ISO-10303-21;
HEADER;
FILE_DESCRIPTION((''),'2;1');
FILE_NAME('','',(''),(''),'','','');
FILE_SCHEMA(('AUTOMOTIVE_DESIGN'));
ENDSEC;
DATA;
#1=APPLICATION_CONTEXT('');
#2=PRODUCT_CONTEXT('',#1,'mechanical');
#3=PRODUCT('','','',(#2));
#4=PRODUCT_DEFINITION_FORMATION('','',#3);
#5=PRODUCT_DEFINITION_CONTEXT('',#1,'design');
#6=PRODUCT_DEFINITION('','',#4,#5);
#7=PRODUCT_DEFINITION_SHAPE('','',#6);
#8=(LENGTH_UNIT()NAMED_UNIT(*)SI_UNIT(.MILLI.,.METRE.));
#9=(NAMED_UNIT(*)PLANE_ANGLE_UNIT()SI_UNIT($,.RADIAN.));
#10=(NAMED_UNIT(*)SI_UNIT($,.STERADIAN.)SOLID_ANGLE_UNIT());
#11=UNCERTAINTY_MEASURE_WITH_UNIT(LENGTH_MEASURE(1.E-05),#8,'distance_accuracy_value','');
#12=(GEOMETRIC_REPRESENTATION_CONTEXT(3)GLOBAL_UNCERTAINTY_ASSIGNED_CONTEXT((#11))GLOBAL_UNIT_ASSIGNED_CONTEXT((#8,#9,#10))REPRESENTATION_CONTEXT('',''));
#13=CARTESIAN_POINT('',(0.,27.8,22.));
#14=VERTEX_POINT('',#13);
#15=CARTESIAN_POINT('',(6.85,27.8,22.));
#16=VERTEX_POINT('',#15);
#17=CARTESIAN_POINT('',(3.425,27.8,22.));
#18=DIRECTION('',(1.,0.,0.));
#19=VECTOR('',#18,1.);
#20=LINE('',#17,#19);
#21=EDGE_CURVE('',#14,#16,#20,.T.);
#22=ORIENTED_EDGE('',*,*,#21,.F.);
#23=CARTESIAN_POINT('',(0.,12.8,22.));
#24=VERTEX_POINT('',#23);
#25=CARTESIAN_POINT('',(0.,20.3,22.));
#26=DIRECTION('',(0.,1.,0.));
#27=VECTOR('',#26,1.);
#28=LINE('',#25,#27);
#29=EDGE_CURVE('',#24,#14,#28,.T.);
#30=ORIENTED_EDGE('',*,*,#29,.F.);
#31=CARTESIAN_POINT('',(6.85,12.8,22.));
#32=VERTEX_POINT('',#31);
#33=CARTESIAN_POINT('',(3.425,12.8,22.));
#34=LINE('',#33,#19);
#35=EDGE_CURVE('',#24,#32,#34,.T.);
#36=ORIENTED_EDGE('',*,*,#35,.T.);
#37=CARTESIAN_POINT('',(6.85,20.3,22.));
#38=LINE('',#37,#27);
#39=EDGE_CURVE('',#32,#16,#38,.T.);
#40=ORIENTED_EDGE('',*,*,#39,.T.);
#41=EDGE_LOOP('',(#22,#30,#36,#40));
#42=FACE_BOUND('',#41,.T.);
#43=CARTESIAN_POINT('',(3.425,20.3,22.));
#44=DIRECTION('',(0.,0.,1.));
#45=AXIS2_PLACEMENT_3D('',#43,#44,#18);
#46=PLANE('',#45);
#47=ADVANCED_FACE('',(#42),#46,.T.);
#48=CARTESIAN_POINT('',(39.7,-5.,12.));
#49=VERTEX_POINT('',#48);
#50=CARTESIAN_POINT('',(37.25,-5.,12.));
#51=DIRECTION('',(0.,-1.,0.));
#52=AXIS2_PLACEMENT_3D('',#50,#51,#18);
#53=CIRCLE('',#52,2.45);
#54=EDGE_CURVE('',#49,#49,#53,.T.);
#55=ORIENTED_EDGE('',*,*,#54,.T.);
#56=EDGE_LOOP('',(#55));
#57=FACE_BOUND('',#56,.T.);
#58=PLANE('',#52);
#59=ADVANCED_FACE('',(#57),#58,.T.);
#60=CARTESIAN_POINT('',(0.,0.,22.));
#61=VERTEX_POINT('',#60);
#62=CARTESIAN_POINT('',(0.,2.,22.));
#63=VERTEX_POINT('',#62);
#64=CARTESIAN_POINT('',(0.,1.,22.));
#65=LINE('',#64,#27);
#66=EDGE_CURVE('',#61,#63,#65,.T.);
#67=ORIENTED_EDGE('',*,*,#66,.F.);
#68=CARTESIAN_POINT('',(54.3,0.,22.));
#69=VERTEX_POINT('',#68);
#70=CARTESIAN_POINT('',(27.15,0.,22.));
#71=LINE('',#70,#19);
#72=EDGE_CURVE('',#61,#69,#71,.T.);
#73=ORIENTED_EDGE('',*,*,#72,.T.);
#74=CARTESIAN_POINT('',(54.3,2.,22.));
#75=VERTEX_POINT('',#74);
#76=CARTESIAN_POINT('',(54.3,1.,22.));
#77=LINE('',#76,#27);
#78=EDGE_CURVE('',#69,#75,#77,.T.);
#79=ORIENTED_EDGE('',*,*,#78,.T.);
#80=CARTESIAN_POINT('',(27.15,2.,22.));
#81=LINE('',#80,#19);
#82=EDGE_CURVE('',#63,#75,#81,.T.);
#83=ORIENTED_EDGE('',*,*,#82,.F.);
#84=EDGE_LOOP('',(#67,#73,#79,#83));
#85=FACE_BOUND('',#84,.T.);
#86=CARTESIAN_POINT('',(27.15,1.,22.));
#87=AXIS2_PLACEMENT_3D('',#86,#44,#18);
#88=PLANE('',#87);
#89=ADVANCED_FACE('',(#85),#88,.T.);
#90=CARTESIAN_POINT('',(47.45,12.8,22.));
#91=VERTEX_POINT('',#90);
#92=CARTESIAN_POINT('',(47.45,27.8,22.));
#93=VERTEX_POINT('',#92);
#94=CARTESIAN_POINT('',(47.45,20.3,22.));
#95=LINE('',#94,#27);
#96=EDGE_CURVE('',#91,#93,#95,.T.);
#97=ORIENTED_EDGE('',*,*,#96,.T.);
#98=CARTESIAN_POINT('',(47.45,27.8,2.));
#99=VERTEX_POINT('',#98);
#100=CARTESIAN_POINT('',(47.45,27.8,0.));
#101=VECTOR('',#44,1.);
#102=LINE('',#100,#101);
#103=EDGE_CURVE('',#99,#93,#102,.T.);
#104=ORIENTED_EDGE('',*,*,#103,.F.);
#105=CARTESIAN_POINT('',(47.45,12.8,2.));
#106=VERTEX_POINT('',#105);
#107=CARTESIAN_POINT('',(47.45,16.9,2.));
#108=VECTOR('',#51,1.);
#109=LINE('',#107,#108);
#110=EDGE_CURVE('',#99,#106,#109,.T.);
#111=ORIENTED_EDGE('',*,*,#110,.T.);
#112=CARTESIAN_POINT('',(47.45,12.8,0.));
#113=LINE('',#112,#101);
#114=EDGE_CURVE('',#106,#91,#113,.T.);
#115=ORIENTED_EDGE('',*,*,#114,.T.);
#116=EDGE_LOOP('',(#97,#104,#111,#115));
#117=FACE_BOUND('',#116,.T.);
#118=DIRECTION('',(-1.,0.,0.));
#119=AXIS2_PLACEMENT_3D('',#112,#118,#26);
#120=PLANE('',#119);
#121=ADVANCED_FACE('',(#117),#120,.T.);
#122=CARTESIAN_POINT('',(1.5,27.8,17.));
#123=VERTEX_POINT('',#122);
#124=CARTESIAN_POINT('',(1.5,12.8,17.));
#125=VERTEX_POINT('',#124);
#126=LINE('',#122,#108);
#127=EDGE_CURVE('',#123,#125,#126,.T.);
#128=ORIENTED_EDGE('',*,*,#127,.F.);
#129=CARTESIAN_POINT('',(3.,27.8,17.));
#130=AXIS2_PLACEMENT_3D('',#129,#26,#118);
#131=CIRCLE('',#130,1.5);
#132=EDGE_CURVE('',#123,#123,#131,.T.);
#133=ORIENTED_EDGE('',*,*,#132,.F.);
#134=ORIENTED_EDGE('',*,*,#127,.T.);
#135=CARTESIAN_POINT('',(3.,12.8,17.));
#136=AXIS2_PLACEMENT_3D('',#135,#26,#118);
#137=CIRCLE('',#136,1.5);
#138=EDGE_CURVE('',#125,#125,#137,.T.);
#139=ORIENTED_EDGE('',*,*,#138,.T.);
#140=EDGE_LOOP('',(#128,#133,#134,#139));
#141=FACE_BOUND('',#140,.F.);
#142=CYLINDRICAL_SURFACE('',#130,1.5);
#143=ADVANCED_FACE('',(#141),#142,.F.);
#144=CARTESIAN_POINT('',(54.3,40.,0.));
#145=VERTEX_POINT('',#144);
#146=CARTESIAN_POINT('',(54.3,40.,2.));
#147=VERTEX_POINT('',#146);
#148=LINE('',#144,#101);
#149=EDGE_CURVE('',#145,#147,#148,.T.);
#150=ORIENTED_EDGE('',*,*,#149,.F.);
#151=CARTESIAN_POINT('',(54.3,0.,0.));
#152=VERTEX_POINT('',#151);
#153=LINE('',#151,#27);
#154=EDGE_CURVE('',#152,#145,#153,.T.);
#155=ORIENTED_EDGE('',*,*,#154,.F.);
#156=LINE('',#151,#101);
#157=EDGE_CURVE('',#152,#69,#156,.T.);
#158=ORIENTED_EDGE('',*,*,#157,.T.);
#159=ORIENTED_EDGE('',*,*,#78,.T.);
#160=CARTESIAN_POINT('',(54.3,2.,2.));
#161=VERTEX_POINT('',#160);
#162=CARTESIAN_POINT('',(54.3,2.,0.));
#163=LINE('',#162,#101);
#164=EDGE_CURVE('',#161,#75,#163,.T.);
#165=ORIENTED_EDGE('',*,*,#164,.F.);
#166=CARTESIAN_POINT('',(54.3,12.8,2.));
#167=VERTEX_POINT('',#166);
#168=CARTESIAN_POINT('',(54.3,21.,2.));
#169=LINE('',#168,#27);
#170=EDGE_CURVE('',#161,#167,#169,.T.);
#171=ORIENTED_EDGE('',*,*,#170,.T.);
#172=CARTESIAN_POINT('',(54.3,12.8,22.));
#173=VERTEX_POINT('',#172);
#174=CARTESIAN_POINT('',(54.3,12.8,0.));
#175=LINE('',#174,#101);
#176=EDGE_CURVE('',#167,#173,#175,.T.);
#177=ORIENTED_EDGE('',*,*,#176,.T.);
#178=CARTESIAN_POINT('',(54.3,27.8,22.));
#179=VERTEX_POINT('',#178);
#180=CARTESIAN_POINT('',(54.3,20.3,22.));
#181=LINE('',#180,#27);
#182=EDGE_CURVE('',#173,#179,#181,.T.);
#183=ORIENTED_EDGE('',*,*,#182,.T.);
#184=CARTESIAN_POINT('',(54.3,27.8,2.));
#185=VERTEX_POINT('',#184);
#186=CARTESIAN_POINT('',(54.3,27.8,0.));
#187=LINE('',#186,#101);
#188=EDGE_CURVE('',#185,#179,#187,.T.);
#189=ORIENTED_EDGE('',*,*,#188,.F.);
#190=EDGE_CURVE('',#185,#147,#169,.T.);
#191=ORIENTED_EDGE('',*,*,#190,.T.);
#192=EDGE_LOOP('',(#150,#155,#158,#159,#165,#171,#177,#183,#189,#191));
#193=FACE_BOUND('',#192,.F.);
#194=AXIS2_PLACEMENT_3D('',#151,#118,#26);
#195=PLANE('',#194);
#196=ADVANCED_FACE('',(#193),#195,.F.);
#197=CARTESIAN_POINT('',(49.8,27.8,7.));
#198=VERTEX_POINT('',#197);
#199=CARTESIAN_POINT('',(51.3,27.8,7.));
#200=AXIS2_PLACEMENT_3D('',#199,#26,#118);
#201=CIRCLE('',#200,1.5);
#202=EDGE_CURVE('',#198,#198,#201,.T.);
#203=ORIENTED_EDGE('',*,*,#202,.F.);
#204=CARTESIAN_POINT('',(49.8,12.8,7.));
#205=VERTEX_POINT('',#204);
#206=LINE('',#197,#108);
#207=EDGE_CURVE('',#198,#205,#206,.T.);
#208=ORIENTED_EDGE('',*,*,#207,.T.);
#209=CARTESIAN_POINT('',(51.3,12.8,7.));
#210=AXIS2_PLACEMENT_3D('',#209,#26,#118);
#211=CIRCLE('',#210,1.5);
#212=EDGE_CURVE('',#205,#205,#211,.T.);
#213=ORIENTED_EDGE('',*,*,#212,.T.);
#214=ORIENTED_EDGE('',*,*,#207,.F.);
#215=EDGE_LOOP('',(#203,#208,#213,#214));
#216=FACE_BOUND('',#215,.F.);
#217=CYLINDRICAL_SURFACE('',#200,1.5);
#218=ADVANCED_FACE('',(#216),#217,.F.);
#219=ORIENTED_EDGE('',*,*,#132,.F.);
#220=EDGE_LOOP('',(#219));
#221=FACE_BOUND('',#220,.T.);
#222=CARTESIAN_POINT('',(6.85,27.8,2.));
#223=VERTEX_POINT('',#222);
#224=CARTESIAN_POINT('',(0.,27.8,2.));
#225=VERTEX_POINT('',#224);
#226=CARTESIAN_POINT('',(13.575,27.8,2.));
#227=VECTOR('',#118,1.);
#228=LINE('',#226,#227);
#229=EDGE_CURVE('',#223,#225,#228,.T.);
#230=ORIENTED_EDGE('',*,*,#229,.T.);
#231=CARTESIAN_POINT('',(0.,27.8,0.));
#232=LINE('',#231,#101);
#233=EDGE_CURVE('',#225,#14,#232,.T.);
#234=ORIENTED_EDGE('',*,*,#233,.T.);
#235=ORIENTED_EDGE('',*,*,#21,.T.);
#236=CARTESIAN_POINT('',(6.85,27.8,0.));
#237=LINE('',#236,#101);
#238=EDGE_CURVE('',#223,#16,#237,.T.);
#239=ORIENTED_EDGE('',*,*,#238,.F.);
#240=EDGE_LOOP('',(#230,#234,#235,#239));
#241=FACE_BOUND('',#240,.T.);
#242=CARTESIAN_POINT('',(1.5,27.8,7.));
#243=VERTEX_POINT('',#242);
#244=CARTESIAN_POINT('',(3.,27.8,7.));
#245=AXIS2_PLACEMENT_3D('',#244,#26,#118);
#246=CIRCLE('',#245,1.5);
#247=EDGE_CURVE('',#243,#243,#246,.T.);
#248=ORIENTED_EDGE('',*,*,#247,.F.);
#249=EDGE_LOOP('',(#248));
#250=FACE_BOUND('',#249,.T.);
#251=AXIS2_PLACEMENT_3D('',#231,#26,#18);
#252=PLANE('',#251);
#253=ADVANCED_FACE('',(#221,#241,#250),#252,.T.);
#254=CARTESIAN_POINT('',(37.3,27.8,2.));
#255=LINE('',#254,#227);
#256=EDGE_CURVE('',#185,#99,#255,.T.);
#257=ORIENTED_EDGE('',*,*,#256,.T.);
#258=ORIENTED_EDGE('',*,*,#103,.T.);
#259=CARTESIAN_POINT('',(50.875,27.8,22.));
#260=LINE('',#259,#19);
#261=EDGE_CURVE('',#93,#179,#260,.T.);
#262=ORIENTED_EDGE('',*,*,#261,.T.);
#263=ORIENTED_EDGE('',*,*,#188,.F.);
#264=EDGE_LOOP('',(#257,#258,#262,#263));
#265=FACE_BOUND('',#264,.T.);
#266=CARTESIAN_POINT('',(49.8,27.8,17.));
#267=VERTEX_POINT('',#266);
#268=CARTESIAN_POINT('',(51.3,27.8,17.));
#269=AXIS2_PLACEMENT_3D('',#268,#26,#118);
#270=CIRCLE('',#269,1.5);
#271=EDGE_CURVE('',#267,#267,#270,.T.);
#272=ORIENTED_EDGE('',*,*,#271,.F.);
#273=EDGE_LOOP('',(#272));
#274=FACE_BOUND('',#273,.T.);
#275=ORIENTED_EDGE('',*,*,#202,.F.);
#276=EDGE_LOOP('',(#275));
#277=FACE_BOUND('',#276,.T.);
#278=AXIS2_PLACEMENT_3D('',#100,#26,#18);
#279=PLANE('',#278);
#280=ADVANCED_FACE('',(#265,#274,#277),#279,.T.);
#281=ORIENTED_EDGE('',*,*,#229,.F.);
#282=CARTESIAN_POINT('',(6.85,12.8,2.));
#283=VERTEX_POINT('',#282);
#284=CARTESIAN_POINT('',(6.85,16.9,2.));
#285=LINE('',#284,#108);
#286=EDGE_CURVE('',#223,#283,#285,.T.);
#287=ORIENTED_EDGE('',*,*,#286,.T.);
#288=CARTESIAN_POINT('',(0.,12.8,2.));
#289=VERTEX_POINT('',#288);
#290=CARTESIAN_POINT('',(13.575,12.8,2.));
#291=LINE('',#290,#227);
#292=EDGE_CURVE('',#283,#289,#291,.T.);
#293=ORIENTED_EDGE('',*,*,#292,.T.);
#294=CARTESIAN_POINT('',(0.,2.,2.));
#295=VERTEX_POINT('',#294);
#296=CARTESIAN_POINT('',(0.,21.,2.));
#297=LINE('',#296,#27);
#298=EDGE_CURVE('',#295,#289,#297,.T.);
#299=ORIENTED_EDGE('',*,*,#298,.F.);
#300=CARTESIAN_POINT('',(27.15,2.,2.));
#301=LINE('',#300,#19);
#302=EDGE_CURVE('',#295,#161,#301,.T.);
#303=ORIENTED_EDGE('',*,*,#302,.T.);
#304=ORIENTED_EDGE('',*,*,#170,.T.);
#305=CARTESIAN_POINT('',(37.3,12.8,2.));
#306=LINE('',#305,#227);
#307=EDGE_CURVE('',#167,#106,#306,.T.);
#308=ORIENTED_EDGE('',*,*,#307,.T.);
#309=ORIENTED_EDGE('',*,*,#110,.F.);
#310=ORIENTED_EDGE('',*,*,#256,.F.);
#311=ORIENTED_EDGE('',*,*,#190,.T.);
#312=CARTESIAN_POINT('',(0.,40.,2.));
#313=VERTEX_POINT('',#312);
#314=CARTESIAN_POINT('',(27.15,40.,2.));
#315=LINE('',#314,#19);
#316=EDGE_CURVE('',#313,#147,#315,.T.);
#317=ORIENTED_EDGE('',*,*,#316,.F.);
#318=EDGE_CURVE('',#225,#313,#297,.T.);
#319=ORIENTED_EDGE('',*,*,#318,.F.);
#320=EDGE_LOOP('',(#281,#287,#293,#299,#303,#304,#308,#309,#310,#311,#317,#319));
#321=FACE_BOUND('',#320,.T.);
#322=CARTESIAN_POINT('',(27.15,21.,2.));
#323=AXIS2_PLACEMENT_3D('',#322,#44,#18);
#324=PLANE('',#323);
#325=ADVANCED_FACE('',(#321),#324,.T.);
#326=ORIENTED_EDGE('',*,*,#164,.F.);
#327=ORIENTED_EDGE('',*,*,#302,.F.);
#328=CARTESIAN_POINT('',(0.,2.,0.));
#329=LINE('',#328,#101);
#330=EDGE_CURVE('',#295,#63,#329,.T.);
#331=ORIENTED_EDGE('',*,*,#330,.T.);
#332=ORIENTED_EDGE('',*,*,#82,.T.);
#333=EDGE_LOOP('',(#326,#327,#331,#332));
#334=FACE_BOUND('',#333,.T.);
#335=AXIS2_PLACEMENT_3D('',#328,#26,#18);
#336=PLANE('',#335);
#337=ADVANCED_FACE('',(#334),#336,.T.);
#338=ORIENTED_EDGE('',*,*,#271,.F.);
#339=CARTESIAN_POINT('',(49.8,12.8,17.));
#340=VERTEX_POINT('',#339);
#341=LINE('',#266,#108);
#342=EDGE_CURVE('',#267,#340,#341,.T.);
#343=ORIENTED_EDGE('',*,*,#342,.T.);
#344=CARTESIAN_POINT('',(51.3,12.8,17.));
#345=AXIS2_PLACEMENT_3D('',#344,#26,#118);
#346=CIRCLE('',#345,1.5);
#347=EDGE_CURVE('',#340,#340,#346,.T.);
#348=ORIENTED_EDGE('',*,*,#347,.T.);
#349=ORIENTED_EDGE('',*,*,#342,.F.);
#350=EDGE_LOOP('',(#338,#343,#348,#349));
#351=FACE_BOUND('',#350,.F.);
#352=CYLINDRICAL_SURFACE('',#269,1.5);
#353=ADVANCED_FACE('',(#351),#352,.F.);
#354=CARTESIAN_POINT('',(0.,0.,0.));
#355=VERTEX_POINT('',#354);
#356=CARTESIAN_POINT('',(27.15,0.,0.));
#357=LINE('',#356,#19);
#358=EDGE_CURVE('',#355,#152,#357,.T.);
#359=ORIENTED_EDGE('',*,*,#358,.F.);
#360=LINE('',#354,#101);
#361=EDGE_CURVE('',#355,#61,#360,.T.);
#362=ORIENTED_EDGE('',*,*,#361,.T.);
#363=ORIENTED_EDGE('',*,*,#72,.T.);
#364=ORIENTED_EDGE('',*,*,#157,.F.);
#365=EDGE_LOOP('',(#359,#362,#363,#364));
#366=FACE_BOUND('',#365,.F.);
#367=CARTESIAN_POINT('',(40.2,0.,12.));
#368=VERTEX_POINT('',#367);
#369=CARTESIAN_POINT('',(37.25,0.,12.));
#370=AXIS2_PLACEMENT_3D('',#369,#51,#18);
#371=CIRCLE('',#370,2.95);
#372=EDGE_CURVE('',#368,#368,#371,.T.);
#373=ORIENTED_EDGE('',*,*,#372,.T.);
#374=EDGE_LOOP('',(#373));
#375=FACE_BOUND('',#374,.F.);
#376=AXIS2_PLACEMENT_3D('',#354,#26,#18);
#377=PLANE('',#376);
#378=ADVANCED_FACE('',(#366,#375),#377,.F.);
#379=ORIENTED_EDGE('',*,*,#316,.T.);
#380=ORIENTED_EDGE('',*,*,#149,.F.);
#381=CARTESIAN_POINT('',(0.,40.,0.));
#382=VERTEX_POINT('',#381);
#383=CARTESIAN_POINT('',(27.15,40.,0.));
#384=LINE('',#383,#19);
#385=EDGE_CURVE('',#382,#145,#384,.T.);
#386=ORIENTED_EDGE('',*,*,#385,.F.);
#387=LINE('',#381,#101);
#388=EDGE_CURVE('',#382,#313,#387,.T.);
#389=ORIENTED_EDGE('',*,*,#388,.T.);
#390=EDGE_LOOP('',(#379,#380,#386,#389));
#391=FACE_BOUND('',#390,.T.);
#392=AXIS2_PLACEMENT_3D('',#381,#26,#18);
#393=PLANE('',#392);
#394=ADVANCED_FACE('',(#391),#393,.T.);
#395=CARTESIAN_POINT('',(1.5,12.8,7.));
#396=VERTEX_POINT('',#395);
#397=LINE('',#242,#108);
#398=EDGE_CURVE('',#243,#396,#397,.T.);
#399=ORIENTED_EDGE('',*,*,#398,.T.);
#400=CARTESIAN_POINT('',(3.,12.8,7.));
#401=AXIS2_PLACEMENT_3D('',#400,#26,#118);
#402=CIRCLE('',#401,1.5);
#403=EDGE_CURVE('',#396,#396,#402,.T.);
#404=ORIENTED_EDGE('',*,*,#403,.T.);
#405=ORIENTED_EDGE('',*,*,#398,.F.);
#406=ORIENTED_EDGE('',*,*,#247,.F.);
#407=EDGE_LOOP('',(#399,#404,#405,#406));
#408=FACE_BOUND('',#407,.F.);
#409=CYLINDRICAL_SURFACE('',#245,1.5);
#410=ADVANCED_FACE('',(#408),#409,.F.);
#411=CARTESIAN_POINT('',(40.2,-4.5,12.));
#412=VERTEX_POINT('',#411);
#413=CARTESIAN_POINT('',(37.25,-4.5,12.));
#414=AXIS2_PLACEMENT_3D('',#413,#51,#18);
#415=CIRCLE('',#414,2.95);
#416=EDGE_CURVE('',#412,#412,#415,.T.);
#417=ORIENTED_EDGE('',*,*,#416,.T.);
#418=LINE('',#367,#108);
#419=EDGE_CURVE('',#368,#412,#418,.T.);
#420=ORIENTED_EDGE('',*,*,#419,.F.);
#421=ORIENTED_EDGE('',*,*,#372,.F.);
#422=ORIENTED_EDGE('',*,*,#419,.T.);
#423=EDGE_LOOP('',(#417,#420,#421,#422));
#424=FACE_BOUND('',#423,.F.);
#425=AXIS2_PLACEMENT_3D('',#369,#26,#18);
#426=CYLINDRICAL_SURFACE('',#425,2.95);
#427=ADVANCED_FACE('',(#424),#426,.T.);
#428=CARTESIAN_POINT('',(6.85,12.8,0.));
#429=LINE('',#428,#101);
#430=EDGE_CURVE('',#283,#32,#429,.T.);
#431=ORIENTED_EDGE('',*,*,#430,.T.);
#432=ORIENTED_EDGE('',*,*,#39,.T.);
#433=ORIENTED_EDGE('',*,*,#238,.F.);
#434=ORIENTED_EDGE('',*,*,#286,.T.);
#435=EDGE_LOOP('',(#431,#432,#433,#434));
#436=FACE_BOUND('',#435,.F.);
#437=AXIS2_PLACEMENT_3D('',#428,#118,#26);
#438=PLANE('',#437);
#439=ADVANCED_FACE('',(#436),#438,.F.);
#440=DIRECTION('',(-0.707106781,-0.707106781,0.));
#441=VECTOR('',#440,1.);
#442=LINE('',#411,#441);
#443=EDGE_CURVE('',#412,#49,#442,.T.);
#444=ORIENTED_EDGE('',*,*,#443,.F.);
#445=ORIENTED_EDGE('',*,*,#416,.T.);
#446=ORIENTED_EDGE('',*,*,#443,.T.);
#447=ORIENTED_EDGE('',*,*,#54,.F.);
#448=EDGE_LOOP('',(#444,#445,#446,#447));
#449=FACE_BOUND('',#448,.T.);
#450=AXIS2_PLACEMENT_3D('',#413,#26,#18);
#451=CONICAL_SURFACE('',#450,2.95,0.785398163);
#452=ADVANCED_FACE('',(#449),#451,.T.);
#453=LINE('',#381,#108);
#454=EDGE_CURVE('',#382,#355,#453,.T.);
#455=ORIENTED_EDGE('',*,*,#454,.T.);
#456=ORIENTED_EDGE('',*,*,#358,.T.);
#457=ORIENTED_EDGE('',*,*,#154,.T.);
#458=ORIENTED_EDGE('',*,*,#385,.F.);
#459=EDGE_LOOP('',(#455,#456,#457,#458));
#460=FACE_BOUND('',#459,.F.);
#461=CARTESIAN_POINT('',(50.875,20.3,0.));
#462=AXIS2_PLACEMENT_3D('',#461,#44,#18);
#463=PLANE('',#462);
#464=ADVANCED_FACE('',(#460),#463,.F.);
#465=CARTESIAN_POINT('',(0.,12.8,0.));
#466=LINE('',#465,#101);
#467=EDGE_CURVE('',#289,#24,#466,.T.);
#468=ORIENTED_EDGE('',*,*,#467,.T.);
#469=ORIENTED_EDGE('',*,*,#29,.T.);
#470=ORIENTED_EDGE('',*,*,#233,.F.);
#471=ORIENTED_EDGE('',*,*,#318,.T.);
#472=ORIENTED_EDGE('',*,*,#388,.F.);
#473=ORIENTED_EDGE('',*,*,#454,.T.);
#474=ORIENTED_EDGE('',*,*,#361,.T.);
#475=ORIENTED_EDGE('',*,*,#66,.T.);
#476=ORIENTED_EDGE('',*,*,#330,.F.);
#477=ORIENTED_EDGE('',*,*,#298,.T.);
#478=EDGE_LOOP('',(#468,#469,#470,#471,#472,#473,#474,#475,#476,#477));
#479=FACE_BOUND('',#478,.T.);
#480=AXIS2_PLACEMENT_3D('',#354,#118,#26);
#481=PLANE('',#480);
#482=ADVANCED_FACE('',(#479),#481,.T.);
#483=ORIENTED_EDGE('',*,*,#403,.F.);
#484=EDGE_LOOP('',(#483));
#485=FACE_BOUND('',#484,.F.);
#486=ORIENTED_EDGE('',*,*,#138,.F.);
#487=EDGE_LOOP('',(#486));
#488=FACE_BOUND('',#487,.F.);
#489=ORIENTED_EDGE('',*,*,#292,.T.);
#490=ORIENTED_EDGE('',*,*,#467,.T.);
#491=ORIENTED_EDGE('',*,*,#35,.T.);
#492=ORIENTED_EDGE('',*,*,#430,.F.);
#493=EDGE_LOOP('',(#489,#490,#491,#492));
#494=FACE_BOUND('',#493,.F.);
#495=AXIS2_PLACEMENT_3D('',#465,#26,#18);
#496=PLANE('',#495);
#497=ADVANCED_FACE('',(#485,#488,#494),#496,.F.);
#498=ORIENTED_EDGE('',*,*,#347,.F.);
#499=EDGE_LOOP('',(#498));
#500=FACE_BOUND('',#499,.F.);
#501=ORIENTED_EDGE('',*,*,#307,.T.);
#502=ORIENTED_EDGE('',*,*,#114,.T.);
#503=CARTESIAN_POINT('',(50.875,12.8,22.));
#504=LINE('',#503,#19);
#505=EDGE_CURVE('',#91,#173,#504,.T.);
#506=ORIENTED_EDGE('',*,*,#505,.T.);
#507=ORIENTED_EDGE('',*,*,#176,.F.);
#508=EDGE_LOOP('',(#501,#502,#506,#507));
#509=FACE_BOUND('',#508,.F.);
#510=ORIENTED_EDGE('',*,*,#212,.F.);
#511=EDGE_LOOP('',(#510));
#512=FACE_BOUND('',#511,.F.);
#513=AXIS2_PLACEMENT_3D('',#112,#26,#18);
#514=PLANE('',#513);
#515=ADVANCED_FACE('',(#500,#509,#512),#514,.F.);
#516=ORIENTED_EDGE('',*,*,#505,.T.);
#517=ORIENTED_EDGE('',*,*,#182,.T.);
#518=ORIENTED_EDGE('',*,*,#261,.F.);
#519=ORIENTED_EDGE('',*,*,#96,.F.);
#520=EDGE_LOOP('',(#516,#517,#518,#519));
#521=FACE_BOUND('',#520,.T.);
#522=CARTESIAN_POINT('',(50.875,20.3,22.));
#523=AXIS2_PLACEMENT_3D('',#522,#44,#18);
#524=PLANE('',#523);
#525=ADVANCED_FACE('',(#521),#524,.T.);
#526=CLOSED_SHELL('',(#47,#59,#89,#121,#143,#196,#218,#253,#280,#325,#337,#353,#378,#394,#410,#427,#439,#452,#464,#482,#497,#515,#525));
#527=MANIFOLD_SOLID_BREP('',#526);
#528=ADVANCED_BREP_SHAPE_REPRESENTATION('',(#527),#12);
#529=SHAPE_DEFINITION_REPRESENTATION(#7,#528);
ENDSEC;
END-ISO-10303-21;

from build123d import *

# Parameters (mm, degrees)
SKETCH_W        = 54.3
SKETCH_H        = 38
PAD_DEPTH       = 2
SKETCH001_W     = 54.3
SKETCH001_H     = 2
PAD001_DEPTH    = 22
SKETCH002_R     = 2.95
PAD002_DEPTH    = 5
SKETCH003_W     = 6.85
SKETCH003_H     = 15
PAD003_DEPTH    = 22
SKETCH004_R     = 1.5
POCKET_DEPTH    = 15
SKETCH005_W     = 6.85
SKETCH005_H     = 15
PAD004_DEPTH    = 22
SKETCH006_R     = 1.5
POCKET001_DEPTH = 15
CHAMFER_SIZE    = 0.5


with BuildPart() as part:
    # Sketch → Pad (new body)
    with BuildSketch(Plane.XY):
        with Locations((27.15, 21)):
            Rectangle(SKETCH_W, SKETCH_H)
    extrude(amount=PAD_DEPTH)

    # Sketch001 → Pad001 (join)
    with BuildSketch(Plane.XY):
        with Locations((27.15, 1)):
            Rectangle(SKETCH001_W, SKETCH001_H)
    extrude(amount=PAD001_DEPTH)

    # Sketch002 → Pad002 (join)
    with BuildSketch(Plane.XZ):
        with Locations((37.25, 12)):
            Circle(SKETCH002_R)
    extrude(amount=PAD002_DEPTH)

    # Sketch003 → Pad003 (join)
    with BuildSketch(Plane.XY):
        with Locations((3.425, 20.3)):
            Rectangle(SKETCH003_W, SKETCH003_H)
    extrude(amount=PAD003_DEPTH)

    # Sketch004 (on Face14 of Pad003) → Pocket (cut)
    with BuildSketch(Plane(origin=(0, 27.8, 0), x_dir=(-1, 0, 0), z_dir=(0, 1, 0))):
        with Locations((-3, 17)):
            Circle(SKETCH004_R)
        with Locations((-3, 7)):
            Circle(SKETCH004_R)
    extrude(amount=-POCKET_DEPTH, mode=Mode.SUBTRACT)

    # Sketch005 → Pad004 (join)
    with BuildSketch(Plane.XY):
        with Locations((50.875, 20.3)):
            Rectangle(SKETCH005_W, SKETCH005_H)
    extrude(amount=PAD004_DEPTH)

    # Sketch006 (on Face13 of Pad004) → Pocket001 (cut)
    with BuildSketch(Plane(origin=(0, 27.8, 0), x_dir=(-1, 0, 0), z_dir=(0, 1, 0))):
        with Locations((-51.3, 17)):
            Circle(SKETCH006_R)
        with Locations((-51.3, 7)):
            Circle(SKETCH006_R)
    extrude(amount=-POCKET001_DEPTH, mode=Mode.SUBTRACT)

    # Chamfer
    chamfer_edges = [part.edges().sort_by_distance(p)[0] for p in [
        (34.3, -5, 12),
    ]]
    chamfer(chamfer_edges, length=CHAMFER_SIZE)


solid = part.part
